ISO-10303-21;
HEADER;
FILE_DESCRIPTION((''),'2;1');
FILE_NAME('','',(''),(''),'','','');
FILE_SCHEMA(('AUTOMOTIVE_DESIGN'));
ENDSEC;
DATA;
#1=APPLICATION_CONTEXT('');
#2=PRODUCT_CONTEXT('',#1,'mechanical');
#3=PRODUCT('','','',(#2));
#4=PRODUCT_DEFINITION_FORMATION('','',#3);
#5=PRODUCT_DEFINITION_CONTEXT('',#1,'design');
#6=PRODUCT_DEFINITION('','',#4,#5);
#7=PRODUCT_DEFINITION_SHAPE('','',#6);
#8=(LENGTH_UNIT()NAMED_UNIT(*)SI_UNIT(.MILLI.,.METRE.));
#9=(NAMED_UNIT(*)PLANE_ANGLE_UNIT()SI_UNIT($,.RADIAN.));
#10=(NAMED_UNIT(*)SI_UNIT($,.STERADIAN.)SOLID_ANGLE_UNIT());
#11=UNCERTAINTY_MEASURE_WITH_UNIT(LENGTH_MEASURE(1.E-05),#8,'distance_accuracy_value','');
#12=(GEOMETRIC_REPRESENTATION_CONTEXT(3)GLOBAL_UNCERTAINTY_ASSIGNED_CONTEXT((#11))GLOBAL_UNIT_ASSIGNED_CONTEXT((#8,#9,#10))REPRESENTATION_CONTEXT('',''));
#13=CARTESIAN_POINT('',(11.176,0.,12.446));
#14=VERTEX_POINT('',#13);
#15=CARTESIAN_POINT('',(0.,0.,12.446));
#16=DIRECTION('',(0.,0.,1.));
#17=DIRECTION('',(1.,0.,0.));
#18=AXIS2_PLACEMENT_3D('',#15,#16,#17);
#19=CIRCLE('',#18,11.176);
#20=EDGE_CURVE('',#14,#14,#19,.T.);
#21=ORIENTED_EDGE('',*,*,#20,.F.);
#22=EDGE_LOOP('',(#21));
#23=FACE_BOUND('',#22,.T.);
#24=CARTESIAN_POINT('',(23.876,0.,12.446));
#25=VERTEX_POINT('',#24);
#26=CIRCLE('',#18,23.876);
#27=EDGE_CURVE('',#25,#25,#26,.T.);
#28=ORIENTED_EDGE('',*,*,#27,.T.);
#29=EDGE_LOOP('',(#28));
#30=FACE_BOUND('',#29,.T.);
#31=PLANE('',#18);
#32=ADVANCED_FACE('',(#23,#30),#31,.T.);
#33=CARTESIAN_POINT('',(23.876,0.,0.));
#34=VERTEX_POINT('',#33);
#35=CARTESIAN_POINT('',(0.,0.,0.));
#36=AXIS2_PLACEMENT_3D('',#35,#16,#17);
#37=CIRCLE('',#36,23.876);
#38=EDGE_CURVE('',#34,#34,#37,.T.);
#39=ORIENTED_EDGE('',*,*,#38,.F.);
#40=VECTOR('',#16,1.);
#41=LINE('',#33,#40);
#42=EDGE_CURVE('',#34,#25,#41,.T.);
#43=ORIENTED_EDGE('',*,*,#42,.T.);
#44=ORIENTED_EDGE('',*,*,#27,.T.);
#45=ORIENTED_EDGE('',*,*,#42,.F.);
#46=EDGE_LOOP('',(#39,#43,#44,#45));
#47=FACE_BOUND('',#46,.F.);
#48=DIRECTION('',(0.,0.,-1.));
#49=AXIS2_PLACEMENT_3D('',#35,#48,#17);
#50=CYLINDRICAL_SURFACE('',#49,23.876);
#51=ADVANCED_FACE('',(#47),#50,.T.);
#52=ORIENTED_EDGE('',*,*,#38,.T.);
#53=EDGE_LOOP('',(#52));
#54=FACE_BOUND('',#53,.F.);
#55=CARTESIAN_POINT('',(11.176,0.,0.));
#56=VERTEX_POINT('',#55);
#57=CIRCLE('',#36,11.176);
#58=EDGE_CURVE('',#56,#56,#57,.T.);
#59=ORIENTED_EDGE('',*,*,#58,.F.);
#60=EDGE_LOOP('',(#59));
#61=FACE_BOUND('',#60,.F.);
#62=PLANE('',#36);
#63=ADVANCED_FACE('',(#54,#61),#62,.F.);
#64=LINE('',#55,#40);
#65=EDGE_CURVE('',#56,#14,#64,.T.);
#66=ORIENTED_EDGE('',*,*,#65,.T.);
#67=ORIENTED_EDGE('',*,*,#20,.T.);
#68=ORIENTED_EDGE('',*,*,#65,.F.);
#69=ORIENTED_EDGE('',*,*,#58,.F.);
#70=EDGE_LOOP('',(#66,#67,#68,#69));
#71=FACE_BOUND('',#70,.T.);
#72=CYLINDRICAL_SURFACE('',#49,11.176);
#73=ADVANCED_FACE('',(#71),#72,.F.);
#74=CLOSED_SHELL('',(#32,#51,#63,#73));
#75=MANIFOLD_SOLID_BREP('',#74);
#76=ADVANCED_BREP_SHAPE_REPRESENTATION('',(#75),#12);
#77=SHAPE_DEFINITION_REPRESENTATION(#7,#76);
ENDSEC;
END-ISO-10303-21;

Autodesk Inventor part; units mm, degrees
ref_plane "YZ Plane" through (0, 0, 0) normal (1, 0, 0) x (0, 1, 0)
ref_plane "XZ Plane" through (0, 0, 0) normal (0, 1, 0) x (-1, 0, 0)
ref_plane "XY Plane" through (0, 0, 0) normal (0, 0, 1) x (1, 0, 0)
sketch "Sketch1" plane through (0, 0, 0) normal (0, 0, 1) x (1, 0, 0)
  circle A0 centre (0, 0) radius 11.176
  circle A1 centre (0, 0) radius 23.876
  dimension "d0" = 12.7
  dimension "d3" = 22.352
extrude "Extrusion1" add sketch "Sketch1" along normal blind 12.446
properties part number "AR-018" material "PC/ABS Plastic"
